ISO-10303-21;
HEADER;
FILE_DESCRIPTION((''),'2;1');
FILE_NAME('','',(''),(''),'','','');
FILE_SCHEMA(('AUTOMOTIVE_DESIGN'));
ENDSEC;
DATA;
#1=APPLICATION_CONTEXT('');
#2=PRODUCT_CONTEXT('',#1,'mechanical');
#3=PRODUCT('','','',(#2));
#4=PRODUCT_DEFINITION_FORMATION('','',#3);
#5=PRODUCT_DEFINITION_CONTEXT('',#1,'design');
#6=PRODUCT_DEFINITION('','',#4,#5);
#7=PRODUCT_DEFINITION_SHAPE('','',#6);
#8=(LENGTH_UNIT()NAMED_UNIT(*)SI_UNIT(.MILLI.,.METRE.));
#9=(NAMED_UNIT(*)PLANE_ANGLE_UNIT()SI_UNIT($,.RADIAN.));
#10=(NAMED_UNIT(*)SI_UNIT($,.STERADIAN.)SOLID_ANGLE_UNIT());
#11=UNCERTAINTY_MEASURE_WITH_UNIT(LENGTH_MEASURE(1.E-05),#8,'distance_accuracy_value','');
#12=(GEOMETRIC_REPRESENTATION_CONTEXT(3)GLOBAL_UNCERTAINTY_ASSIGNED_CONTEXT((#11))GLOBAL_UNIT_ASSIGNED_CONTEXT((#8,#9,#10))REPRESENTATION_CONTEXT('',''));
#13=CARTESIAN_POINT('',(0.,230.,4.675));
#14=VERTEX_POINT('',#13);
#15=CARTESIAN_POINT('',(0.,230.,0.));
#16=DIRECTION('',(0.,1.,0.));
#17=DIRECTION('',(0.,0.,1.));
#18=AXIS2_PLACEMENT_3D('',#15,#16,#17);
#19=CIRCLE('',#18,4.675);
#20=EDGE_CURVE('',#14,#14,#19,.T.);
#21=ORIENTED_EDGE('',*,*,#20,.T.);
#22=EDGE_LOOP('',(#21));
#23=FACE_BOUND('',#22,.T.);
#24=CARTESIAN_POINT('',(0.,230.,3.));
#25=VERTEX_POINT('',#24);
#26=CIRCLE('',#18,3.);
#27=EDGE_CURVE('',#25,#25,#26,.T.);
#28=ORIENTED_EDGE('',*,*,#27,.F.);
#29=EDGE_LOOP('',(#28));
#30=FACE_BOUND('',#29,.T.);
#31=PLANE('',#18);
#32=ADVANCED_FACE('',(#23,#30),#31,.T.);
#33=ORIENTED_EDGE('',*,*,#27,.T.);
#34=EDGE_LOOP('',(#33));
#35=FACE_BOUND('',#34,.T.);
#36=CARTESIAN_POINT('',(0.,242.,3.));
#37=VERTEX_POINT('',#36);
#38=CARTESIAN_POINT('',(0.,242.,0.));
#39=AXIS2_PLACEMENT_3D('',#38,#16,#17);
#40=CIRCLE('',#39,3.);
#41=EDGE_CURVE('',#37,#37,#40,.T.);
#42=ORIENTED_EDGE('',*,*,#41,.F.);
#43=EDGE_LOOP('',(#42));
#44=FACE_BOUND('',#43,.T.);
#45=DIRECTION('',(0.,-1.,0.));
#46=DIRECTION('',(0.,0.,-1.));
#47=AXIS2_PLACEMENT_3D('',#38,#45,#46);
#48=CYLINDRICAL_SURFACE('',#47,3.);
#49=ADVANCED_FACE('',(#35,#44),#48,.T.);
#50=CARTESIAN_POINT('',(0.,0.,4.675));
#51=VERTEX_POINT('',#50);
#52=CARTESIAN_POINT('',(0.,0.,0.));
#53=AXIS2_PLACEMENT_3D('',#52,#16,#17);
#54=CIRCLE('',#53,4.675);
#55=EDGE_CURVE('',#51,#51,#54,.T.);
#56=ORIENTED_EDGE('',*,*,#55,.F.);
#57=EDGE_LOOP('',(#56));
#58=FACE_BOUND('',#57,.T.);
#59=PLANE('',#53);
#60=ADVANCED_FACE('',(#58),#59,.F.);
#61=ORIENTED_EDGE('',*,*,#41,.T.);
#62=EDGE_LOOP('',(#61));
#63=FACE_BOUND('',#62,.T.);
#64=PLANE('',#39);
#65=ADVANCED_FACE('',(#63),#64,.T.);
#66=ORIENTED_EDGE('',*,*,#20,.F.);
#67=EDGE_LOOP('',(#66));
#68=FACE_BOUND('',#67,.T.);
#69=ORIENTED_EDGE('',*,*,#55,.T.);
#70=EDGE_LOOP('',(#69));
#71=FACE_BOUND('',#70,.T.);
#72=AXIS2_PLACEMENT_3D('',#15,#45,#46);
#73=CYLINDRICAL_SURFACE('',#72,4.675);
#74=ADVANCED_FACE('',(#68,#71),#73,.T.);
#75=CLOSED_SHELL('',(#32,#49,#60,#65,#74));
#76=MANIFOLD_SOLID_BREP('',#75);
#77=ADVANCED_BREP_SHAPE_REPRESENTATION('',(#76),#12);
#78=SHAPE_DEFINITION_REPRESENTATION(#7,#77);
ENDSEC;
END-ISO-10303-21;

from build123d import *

# Parameters (mm, degrees)
SKETCH1_R           = 4.675
BOSS_EXTRUDE1_DEPTH = 230
SKETCH2_R           = 3
BOSS_EXTRUDE2_DEPTH = 12


with BuildPart() as part:
    # Sketch1 → Boss-Extrude1 (new body)
    with BuildSketch(Plane(origin=(0, 0, 0), x_dir=(1, 0, 0), z_dir=(0, 1, 0))):
        with Locations(Location((0, 0, 0), (0, 0, 270))):
            Circle(SKETCH1_R)
    extrude(amount=BOSS_EXTRUDE1_DEPTH)

    # Sketch2 → Boss-Extrude2 (add)
    with BuildSketch(Plane(origin=(0, 230, 0), x_dir=(1, 0, 0), z_dir=(0, 1, 0))):
        with Locations(Location((0, 0, 0), (0, 0, 270))):
            Circle(SKETCH2_R)
    extrude(amount=BOSS_EXTRUDE2_DEPTH)


solid = part.part
